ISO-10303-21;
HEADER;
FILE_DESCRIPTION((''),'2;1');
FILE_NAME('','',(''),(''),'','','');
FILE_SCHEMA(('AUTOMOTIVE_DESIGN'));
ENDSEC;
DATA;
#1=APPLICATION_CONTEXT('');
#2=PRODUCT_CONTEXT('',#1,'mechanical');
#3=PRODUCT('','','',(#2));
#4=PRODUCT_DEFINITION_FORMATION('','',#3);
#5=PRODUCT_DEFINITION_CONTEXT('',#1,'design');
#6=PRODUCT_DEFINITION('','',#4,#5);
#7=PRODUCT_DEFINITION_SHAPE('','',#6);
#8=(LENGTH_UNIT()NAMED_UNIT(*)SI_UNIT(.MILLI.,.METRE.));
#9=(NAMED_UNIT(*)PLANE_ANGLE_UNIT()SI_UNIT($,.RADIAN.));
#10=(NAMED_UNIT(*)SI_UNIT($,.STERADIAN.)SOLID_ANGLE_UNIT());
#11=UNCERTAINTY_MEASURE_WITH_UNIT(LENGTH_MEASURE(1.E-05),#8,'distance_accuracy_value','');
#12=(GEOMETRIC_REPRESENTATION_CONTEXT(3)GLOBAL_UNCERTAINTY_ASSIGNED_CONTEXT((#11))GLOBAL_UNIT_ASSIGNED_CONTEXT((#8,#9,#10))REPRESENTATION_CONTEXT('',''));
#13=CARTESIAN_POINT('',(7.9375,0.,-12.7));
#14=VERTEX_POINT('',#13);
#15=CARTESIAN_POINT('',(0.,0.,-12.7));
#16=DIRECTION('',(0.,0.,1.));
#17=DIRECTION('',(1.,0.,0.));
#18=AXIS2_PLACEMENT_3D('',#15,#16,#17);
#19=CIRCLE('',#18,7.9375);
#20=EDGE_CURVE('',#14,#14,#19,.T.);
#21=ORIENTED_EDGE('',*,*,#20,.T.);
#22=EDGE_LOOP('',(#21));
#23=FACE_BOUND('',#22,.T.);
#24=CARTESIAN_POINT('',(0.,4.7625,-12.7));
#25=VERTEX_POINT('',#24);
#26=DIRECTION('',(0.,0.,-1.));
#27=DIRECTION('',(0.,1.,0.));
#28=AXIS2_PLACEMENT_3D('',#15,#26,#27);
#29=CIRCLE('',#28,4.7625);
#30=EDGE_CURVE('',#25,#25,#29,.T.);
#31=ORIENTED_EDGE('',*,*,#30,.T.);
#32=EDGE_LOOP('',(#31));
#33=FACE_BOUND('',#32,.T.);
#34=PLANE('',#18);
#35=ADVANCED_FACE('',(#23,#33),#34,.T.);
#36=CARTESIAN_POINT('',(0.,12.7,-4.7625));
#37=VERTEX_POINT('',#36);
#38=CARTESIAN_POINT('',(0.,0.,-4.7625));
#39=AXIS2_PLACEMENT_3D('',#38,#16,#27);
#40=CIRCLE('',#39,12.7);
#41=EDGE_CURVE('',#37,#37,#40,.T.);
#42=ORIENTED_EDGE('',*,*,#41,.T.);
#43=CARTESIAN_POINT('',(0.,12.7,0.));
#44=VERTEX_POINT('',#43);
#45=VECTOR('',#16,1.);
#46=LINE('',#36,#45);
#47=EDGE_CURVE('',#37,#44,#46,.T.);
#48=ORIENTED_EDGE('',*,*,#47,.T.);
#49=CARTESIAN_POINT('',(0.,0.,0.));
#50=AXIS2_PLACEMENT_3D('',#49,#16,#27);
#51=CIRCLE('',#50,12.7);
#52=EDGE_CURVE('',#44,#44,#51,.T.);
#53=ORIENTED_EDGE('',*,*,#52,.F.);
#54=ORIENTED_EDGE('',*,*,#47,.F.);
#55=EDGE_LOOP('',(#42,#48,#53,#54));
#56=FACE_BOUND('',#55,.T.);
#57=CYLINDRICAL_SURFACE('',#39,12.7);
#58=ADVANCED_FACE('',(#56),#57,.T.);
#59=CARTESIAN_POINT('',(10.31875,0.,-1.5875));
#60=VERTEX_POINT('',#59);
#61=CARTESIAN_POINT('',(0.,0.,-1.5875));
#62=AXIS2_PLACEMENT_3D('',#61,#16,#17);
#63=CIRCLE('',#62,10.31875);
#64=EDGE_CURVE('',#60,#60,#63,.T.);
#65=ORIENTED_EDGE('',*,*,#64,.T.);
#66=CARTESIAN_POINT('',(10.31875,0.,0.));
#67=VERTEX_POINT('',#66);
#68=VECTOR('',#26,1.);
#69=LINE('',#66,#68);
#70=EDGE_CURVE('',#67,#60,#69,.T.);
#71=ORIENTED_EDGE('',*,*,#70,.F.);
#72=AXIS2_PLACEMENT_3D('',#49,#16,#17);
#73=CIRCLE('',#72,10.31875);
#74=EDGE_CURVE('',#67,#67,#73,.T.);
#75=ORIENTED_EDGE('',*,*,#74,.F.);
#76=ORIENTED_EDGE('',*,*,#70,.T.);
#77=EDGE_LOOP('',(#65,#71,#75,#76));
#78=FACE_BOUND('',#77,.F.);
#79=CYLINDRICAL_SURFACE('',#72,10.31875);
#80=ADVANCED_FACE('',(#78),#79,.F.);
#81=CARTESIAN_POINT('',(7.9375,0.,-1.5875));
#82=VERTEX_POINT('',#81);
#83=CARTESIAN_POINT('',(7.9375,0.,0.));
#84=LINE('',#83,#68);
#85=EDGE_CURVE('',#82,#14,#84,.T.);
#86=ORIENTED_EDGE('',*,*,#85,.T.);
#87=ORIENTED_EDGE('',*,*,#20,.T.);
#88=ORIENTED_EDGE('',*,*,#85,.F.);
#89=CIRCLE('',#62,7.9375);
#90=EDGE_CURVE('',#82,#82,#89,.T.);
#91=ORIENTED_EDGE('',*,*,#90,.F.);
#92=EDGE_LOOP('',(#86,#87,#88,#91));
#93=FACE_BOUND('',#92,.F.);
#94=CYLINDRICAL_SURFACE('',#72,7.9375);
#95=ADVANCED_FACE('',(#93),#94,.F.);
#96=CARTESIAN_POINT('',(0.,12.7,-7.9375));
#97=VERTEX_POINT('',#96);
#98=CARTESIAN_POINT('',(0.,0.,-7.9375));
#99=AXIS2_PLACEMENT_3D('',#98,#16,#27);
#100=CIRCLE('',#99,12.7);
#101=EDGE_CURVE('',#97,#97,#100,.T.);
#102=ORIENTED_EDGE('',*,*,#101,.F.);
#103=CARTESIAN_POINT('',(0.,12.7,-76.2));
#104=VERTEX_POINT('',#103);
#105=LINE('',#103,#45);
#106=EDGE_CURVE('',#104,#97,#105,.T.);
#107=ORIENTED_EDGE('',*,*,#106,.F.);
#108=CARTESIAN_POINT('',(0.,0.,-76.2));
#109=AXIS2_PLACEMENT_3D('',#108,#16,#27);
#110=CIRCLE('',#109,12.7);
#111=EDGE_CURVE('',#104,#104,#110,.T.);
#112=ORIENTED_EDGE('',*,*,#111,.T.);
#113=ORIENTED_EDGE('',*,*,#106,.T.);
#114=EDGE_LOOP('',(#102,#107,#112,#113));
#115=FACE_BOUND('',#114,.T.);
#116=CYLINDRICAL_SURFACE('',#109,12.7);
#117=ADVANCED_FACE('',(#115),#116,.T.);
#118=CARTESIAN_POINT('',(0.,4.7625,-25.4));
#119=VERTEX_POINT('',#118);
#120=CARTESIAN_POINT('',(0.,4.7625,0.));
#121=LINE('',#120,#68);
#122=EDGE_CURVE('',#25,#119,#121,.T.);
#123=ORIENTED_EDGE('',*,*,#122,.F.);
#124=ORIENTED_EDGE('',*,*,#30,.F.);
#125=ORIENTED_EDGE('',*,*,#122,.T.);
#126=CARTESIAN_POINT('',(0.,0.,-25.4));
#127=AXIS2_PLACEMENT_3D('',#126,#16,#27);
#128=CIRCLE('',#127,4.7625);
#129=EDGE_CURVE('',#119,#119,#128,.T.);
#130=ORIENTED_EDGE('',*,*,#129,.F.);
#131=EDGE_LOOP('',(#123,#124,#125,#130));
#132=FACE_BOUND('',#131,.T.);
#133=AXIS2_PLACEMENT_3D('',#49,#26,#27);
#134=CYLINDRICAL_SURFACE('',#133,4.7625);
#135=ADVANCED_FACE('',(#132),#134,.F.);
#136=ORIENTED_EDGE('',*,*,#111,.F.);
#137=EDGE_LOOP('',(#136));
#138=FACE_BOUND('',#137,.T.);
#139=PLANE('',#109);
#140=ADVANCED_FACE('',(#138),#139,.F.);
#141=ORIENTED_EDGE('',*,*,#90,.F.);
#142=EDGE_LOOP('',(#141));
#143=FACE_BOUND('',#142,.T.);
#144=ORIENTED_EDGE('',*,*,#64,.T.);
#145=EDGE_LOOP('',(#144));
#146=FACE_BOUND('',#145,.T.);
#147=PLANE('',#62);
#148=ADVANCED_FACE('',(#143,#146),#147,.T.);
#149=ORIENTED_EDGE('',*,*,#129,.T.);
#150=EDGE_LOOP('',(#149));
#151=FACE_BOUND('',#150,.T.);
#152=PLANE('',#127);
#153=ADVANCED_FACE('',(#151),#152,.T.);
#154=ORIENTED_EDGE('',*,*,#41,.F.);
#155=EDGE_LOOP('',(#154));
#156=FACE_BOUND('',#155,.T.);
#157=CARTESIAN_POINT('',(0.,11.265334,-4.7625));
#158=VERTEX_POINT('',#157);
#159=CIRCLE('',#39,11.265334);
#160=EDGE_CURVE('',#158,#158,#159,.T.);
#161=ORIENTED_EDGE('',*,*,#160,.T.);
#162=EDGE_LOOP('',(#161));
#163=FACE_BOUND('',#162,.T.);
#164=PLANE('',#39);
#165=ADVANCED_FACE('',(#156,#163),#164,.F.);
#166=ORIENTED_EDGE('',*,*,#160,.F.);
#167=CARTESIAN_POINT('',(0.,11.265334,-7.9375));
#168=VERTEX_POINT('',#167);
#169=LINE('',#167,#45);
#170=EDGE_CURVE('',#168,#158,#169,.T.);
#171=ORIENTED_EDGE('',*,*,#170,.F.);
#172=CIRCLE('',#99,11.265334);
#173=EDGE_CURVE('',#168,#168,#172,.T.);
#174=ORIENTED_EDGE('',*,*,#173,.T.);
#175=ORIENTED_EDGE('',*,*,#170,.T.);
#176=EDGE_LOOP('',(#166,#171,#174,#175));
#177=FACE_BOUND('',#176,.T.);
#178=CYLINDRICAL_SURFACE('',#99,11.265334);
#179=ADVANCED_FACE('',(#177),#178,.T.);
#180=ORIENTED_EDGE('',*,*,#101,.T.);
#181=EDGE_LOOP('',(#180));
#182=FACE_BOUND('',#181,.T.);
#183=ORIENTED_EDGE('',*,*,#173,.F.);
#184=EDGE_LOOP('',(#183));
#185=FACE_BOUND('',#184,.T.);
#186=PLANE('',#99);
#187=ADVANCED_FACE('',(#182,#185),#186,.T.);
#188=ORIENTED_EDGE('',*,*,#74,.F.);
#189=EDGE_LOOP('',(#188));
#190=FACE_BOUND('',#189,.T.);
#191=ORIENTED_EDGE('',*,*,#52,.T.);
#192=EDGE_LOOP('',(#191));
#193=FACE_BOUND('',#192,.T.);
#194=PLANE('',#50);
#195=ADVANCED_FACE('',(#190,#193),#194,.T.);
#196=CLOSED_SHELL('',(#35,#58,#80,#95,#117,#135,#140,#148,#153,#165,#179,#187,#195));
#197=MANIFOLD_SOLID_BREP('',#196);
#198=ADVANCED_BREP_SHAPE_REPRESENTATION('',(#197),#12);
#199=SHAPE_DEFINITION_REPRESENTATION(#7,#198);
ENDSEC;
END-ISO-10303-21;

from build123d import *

# Parameters (mm, degrees)
F2_R     = 7.9375
F2_R_2   = 4.7625
F3_DEPTH = 12.7
F4_R     = 10.31875
F4_R_2   = 7.9375
F5_DEPTH = 1.5875


with BuildPart() as f1:
    # F0 (on Right) → F1 (revolve)
    with BuildSketch(Plane.YZ):
        Polygon((12.7, -4.7625), (12.7, 0), (4.7625, 0), (4.7625, -25.4), (0, -25.4), (0, -76.2), (12.7, -76.2), (12.7, -7.9375), (11.265334, -7.9375), (11.265334, -4.7625), align=None)
    revolve(axis=Axis((0, 0, -33.687185), (0, 0, 1)))

    # F2 (on face) → F3 (cut)
    with BuildSketch(Plane.XY):
        Circle(F2_R)
        Circle(F2_R_2, mode=Mode.SUBTRACT)
    extrude(amount=-F3_DEPTH, mode=Mode.SUBTRACT)

    # F4 (on face) → F5 (cut)
    with BuildSketch(Plane.XY):
        Circle(F4_R)
        Circle(F4_R_2, mode=Mode.SUBTRACT)
    extrude(amount=-F5_DEPTH, mode=Mode.SUBTRACT)


solid = f1.part
